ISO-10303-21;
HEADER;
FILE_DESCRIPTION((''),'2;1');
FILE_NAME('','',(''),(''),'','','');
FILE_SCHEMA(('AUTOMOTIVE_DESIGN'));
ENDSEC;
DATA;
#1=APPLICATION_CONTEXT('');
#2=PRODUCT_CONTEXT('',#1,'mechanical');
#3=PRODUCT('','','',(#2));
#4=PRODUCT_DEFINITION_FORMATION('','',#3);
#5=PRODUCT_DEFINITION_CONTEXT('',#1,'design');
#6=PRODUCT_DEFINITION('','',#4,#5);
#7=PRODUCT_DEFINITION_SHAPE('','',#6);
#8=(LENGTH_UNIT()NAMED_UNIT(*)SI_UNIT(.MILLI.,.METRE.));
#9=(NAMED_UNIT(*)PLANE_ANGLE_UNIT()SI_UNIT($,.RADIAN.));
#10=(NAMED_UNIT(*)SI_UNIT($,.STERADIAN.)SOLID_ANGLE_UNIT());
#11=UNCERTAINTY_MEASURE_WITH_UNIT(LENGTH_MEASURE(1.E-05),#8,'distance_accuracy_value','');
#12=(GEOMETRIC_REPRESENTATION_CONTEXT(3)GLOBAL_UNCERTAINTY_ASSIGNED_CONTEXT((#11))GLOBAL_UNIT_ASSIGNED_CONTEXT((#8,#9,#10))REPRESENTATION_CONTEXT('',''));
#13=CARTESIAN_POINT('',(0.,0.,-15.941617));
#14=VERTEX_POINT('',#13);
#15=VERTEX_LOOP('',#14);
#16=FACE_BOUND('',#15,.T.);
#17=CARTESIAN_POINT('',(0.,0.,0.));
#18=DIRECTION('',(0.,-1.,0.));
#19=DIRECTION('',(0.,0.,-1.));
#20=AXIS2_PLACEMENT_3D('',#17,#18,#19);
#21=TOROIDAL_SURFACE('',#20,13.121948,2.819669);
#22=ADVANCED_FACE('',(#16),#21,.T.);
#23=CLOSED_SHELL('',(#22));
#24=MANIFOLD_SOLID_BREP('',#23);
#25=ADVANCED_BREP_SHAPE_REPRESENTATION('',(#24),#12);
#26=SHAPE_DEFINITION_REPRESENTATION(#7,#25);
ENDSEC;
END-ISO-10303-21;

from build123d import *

# Parameters (mm, degrees)
SKETCH1_R = 2.819668528


with BuildPart() as part:
    # Sketch1 → Revolve1 (revolve)
    with BuildSketch(Plane.XY, mode=Mode.PRIVATE) as revolve1_sk:
        with Locations((13.121948499, 0)):
            Circle(SKETCH1_R)
    revolve(revolve1_sk.sketch.rotate(Axis((0, -5.311792147, 0), (0, 1, 0)), 90), axis=Axis((0, -5.311792147, 0), (0, 1, 0)))


solid = part.part
